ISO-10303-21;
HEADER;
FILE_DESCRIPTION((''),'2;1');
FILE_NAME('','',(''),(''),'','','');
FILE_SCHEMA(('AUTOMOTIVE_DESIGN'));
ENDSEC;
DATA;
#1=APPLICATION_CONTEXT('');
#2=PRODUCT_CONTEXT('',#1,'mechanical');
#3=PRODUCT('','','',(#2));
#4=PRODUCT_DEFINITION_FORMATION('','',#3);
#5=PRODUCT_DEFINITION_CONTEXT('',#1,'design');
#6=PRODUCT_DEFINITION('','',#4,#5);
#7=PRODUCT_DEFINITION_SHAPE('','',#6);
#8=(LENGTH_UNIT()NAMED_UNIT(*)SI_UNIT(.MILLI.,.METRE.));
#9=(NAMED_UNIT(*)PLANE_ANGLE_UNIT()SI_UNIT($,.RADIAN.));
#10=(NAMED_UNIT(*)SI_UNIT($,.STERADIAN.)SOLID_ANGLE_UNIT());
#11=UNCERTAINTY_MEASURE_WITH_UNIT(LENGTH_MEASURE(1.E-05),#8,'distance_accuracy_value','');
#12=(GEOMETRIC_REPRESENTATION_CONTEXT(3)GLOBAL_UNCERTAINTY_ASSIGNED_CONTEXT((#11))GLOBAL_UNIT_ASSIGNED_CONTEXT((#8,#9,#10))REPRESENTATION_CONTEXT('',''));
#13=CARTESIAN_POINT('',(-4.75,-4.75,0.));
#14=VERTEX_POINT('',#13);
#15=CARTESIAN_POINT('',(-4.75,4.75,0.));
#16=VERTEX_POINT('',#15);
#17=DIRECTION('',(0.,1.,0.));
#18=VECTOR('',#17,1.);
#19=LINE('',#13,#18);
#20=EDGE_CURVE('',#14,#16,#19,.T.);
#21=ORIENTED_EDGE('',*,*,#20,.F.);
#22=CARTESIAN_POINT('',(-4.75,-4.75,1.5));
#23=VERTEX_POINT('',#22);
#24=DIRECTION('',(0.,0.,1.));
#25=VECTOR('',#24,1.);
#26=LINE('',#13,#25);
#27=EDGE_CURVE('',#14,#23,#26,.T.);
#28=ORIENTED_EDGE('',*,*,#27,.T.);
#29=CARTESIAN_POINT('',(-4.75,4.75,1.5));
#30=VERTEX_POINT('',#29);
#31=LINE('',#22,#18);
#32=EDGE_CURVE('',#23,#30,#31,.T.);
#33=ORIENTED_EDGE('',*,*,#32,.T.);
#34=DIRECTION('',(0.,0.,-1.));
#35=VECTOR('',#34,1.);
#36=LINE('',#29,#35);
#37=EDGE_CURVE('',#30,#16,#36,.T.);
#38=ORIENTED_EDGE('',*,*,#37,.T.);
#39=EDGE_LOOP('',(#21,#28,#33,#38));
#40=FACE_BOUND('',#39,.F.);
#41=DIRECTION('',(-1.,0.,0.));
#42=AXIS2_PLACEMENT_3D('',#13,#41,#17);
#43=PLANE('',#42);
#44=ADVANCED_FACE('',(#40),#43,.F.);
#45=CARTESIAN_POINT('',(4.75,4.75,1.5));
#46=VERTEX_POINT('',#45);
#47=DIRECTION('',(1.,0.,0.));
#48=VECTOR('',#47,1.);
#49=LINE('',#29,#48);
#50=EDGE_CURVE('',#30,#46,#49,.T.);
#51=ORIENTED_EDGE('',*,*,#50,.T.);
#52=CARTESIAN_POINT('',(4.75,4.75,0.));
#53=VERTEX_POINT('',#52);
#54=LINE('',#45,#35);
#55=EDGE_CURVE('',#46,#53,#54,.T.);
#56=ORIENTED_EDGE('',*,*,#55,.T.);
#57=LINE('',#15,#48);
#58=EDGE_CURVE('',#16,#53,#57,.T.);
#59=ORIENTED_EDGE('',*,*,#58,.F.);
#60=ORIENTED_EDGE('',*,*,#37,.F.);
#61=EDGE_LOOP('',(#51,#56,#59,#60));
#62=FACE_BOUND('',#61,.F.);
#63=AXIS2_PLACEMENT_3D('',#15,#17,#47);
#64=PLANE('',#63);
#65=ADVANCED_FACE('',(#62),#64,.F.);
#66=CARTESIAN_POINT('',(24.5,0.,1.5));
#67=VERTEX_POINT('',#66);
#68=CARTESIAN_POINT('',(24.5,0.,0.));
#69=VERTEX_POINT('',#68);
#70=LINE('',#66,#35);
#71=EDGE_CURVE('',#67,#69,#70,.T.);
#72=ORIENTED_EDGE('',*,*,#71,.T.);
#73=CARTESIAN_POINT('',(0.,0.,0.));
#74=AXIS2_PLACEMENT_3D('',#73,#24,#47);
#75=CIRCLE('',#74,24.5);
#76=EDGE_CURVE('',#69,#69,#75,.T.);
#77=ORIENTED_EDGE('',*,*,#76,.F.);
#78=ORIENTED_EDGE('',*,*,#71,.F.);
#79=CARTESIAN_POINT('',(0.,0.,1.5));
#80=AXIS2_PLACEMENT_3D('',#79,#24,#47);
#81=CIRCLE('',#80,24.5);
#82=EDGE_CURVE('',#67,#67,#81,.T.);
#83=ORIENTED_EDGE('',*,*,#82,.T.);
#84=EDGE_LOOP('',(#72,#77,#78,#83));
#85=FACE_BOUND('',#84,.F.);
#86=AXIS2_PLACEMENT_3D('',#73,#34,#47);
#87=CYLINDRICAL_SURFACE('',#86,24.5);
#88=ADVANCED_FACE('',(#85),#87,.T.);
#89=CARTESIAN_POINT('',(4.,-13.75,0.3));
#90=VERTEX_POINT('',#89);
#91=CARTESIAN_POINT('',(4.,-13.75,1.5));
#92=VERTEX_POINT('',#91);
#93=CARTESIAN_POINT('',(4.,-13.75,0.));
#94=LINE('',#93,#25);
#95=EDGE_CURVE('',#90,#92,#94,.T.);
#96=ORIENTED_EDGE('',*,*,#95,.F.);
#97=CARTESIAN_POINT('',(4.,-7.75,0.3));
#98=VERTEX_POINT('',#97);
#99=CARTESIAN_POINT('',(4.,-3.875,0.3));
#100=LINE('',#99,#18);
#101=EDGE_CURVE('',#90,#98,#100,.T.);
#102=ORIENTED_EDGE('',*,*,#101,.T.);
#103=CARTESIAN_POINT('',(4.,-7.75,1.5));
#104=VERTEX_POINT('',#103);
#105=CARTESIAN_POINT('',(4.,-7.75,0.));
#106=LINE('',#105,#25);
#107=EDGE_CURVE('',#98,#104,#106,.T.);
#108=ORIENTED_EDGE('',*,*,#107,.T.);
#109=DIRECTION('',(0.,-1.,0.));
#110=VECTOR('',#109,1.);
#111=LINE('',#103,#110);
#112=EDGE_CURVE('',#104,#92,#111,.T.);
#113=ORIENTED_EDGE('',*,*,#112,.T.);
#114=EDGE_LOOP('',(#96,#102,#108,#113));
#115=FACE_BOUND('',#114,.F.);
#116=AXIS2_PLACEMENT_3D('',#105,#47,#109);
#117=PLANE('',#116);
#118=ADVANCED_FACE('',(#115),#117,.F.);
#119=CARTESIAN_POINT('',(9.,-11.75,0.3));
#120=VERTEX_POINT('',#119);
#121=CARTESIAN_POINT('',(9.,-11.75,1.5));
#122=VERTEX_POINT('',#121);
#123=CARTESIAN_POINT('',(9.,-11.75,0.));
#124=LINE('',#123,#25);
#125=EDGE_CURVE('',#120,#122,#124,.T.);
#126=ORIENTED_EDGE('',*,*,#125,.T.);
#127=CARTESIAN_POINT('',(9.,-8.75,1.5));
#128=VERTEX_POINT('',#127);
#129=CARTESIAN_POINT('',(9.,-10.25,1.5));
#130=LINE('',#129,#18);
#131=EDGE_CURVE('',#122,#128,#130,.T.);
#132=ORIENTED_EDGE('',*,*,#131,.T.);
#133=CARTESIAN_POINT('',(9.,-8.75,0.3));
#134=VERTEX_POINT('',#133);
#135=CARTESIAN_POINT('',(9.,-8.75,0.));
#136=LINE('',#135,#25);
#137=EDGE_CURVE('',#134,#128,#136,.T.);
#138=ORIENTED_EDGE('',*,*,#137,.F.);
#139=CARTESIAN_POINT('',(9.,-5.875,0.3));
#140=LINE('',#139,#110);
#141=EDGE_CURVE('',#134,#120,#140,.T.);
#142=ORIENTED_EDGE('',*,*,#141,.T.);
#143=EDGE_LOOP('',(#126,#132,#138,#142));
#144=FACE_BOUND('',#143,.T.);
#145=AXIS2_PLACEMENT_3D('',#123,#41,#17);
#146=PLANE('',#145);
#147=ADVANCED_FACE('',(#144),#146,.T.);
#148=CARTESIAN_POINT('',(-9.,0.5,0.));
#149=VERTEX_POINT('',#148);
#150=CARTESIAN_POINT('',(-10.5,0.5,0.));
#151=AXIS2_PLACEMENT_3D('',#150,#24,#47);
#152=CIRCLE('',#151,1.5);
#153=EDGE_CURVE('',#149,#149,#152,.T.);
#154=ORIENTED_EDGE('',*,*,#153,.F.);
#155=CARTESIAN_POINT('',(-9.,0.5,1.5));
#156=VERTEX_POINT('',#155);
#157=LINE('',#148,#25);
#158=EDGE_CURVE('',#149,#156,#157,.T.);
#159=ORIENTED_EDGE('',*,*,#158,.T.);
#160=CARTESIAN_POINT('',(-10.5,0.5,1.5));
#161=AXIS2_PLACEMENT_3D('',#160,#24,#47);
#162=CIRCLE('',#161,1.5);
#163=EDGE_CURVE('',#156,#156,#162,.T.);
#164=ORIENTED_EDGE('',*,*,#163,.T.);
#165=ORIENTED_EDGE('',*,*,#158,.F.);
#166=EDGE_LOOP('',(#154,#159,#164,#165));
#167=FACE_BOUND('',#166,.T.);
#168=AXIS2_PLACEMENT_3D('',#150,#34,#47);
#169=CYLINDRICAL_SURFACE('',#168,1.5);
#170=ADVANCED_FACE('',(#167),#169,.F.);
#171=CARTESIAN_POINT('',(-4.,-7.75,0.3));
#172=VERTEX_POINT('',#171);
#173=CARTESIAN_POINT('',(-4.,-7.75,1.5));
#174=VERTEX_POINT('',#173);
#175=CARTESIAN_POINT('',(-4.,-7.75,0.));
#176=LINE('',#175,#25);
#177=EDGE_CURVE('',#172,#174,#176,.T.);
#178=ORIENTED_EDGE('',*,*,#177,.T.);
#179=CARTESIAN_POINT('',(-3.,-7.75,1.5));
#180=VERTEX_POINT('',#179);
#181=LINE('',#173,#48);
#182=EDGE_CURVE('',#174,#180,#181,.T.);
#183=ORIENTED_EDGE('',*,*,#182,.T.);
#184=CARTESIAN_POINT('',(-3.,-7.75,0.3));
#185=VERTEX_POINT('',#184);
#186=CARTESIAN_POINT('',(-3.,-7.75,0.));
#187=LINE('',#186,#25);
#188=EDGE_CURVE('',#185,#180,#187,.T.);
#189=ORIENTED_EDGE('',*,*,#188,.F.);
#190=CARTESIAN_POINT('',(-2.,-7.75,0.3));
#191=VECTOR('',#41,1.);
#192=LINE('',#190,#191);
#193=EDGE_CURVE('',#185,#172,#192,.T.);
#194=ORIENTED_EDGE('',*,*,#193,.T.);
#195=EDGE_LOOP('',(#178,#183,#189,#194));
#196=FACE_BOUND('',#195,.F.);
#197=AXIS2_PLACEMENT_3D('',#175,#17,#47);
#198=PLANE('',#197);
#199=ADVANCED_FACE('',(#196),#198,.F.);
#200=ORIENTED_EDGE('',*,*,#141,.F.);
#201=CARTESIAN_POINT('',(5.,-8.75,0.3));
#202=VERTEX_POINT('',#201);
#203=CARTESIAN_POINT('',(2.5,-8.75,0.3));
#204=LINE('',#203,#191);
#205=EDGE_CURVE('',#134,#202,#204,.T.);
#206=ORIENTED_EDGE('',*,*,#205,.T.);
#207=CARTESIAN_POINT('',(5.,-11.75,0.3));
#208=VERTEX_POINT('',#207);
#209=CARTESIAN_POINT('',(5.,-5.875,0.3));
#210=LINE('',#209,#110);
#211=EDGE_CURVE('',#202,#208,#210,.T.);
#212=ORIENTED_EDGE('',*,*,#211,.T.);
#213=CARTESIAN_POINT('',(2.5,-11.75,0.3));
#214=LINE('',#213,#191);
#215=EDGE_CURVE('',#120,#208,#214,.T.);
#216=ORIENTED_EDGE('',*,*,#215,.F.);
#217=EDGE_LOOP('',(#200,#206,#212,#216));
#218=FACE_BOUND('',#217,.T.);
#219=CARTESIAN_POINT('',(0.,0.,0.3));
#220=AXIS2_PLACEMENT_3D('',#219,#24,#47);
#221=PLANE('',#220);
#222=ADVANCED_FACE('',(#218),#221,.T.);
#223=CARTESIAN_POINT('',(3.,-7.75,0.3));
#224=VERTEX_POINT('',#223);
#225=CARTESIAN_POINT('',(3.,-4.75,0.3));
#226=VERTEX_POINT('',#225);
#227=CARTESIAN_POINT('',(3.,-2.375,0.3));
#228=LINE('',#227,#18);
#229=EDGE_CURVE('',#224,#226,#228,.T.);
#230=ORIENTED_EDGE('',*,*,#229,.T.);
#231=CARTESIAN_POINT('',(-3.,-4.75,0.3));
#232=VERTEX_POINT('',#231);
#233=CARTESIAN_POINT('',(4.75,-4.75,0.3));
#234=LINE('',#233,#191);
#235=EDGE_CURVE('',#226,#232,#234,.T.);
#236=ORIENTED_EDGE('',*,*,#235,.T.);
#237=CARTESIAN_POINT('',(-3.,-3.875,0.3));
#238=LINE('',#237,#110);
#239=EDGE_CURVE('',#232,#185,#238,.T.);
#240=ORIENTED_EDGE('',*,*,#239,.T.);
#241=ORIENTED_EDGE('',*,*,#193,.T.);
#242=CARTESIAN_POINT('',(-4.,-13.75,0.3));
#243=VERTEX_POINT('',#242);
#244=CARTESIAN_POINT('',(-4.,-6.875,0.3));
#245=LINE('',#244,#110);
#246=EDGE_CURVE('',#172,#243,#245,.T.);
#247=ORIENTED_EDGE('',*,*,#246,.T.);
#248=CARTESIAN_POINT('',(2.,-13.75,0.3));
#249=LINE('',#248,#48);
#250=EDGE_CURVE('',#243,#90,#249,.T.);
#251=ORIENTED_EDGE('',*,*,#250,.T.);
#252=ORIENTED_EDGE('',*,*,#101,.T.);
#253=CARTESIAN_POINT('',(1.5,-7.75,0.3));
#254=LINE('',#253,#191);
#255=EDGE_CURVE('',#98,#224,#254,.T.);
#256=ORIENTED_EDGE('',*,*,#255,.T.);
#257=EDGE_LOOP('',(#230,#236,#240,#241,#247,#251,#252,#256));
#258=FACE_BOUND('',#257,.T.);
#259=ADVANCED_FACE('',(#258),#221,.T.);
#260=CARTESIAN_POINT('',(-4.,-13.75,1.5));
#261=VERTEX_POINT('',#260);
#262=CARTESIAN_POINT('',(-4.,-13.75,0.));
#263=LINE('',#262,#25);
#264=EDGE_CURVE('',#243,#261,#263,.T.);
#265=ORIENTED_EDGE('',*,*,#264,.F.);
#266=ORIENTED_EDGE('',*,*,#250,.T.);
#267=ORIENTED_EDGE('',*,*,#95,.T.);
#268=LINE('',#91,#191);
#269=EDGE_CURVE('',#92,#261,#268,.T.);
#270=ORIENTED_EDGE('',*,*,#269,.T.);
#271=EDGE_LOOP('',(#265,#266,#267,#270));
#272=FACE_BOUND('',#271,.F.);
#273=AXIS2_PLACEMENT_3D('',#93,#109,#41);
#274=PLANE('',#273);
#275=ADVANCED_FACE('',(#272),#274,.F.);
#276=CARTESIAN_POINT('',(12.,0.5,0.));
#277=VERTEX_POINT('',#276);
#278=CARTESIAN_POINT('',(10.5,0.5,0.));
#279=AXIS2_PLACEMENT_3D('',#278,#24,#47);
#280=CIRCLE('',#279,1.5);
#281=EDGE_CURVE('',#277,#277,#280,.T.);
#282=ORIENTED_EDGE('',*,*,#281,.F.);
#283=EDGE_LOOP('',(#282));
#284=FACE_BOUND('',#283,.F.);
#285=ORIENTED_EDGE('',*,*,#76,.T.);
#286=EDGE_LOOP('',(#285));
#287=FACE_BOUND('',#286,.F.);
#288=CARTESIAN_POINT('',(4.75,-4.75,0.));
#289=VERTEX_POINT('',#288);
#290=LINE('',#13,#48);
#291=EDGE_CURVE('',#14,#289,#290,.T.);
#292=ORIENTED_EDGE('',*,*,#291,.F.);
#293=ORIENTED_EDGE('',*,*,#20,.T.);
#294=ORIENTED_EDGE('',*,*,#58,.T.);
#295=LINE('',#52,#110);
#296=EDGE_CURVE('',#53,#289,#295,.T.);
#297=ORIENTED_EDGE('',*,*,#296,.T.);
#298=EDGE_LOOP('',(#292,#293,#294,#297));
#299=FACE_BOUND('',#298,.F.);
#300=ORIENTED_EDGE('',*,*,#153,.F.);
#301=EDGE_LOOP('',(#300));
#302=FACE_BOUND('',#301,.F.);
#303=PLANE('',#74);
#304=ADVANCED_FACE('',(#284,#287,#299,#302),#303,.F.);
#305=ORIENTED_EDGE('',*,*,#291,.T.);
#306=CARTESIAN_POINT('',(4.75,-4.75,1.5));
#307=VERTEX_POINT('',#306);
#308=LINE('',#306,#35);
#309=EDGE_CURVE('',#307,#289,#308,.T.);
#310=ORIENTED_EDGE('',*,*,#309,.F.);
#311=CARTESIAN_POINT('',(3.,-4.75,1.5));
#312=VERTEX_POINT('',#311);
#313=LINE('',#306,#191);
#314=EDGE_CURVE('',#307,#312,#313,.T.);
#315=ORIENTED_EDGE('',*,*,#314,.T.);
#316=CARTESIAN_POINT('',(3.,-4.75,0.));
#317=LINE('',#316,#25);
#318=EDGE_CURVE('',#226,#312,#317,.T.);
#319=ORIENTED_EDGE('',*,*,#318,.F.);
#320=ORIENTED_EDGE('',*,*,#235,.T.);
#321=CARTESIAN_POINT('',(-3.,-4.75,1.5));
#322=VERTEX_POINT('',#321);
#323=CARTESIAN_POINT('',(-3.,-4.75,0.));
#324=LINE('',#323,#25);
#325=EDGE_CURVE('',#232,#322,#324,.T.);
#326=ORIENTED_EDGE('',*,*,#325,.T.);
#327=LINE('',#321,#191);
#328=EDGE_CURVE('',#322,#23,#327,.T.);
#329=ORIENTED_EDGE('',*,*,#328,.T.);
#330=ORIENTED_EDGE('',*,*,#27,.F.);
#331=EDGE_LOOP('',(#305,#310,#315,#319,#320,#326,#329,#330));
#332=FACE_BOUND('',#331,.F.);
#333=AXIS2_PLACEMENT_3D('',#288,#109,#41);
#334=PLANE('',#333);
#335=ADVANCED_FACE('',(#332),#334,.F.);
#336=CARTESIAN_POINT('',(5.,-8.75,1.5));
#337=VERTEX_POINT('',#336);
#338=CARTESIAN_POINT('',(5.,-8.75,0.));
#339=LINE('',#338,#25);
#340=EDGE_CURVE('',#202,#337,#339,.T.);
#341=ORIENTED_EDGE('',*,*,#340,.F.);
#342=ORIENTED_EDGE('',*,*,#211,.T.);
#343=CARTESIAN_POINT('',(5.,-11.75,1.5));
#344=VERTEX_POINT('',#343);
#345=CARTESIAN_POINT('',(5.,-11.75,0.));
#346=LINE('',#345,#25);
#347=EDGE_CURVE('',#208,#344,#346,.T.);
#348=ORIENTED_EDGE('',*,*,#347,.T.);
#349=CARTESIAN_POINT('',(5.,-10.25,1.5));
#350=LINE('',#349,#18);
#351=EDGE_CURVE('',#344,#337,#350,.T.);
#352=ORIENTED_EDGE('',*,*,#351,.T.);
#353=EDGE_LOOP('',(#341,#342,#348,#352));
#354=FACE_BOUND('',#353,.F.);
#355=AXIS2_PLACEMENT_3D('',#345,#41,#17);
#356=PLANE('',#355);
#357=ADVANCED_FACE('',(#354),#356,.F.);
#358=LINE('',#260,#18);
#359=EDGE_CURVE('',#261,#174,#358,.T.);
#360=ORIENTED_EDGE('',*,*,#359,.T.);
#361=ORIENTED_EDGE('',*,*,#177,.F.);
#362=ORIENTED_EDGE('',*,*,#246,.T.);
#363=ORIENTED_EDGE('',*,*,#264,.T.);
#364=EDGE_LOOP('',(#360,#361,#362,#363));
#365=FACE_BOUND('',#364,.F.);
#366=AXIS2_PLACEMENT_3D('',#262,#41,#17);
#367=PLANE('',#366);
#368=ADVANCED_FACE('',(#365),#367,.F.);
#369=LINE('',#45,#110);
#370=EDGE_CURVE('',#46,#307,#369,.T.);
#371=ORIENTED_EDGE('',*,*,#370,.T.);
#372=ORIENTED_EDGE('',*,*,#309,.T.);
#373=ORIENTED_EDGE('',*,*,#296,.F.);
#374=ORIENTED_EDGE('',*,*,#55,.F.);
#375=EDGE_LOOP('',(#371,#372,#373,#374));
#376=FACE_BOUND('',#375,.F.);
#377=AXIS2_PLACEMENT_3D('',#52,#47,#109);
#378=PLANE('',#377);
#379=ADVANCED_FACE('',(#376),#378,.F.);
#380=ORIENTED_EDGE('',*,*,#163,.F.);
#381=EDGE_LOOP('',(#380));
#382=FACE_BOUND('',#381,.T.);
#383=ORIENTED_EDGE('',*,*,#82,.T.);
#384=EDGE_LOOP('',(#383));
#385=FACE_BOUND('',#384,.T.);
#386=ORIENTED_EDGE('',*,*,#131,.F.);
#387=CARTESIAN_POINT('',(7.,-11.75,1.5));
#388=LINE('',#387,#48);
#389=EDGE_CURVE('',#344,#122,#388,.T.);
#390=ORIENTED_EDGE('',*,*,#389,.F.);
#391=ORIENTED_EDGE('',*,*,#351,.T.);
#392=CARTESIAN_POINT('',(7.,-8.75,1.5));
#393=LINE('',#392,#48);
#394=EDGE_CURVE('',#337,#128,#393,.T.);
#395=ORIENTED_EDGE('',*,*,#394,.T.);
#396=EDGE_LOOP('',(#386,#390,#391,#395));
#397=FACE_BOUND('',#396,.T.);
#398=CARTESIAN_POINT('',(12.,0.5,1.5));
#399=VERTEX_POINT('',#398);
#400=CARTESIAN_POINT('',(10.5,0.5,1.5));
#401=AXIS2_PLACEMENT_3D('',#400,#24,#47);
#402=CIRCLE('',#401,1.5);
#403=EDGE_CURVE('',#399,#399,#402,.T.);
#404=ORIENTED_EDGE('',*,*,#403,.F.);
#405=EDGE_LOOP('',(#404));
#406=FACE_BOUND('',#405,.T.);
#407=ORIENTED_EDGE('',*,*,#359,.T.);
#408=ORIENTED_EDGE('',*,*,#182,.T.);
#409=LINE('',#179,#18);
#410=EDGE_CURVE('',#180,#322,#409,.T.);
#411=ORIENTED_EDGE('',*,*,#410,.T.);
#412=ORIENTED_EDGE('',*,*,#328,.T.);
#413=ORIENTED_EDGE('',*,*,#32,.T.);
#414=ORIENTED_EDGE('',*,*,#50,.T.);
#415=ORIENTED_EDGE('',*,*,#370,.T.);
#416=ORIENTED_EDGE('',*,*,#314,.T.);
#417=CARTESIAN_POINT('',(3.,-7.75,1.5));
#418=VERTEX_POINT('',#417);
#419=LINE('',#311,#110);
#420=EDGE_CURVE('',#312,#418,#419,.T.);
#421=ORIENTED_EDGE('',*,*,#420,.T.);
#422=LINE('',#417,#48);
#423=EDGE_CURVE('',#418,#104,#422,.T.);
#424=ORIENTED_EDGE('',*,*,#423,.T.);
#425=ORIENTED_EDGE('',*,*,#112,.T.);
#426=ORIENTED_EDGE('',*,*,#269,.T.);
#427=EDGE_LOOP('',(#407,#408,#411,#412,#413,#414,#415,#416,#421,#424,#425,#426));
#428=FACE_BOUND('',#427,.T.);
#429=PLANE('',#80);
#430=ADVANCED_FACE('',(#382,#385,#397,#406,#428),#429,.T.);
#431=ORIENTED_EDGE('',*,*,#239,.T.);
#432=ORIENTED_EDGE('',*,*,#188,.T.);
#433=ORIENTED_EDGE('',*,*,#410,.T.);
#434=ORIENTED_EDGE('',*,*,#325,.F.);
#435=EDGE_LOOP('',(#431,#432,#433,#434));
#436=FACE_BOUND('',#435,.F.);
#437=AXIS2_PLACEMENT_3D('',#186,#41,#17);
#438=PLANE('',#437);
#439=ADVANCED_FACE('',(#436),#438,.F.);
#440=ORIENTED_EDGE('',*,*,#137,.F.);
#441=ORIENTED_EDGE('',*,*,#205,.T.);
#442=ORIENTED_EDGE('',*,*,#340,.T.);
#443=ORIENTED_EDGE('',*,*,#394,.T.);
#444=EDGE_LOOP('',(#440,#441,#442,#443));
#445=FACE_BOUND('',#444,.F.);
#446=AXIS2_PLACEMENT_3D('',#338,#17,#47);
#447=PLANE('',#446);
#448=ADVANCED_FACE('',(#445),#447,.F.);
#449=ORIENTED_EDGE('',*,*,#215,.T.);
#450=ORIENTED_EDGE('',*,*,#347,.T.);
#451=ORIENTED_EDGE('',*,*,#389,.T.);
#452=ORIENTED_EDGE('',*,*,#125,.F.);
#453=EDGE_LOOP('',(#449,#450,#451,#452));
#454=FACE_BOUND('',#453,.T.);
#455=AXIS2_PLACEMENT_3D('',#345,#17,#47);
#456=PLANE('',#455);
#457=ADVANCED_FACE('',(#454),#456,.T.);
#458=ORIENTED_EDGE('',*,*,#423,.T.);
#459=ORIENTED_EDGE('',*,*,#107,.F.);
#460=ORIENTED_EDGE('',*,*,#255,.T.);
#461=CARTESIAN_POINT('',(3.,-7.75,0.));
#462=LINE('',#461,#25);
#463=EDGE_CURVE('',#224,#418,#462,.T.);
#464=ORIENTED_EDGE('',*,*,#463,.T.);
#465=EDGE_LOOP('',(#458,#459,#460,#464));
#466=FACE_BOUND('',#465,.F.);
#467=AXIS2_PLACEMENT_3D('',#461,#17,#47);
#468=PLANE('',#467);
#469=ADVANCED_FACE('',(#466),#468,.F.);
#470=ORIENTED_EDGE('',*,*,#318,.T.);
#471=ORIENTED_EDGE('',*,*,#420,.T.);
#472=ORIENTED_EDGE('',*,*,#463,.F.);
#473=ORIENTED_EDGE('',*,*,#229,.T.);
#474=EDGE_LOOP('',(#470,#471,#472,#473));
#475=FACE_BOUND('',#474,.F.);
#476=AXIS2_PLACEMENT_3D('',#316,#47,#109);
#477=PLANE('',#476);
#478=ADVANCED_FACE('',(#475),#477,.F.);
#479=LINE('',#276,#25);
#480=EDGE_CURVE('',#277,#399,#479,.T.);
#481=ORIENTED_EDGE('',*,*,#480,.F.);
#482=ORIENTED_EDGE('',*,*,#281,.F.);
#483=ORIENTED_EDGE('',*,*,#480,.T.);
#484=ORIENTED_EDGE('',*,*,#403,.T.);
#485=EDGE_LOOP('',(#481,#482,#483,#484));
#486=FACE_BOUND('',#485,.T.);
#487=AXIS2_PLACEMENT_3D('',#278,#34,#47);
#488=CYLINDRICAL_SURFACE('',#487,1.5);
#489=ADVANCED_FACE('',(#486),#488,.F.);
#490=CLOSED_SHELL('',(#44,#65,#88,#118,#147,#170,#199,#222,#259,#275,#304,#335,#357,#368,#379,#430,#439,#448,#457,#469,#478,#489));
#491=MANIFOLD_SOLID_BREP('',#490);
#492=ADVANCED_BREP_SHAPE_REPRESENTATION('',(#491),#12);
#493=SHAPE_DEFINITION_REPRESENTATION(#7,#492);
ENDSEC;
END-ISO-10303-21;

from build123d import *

# Parameters (mm, degrees)
F0_R     = 24.5
F0_W     = 4
F0_H     = 3
F0_R_2   = 1.5
F0_W_2   = 6
F1_DEPTH = 0.3
F2_DEPTH = 1.5


with BuildPart() as f1:
    # F0 (on Top) → F1 (new body)
    with BuildSketch(Plane.XY):
        Circle(F0_R)
        Polygon((-4.75, -4.75), (-4.75, 4.75), (4.75, 4.75), (4.75, -4.75), (3, -4.75), (3, -7.75), (4, -7.75), (4, -13.75), (-4, -13.75), (-4, -7.75), (-3, -7.75), (-3, -4.75), align=None, mode=Mode.SUBTRACT)
        with Locations((7, -10.25)):
            Rectangle(F0_W, F0_H, mode=Mode.SUBTRACT)
        with Locations((-10.5, 0.5)):
            Circle(F0_R_2, mode=Mode.SUBTRACT)
        with Locations((10.5, 0.5)):
            Circle(F0_R_2, mode=Mode.SUBTRACT)
        with Locations((7, -10.25)):
            Rectangle(F0_W, F0_H)
        Polygon((3, -7.75), (-3, -7.75), (-4, -7.75), (-4, -13.75), (4, -13.75), (4, -7.75), align=None)
        with Locations((0, -6.25)):
            Rectangle(F0_W_2, F0_H)
    extrude(amount=F1_DEPTH)

    # F0 (on Top) → F2 (join)
    with BuildSketch(Plane.XY):
        Circle(F0_R)
        Polygon((-4.75, -4.75), (-4.75, 4.75), (4.75, 4.75), (4.75, -4.75), (3, -4.75), (3, -7.75), (4, -7.75), (4, -13.75), (-4, -13.75), (-4, -7.75), (-3, -7.75), (-3, -4.75), align=None, mode=Mode.SUBTRACT)
        with Locations((7, -10.25)):
            Rectangle(F0_W, F0_H, mode=Mode.SUBTRACT)
        with Locations((-10.5, 0.5)):
            Circle(F0_R_2, mode=Mode.SUBTRACT)
        with Locations((10.5, 0.5)):
            Circle(F0_R_2, mode=Mode.SUBTRACT)
    extrude(amount=F2_DEPTH)


solid = f1.part
